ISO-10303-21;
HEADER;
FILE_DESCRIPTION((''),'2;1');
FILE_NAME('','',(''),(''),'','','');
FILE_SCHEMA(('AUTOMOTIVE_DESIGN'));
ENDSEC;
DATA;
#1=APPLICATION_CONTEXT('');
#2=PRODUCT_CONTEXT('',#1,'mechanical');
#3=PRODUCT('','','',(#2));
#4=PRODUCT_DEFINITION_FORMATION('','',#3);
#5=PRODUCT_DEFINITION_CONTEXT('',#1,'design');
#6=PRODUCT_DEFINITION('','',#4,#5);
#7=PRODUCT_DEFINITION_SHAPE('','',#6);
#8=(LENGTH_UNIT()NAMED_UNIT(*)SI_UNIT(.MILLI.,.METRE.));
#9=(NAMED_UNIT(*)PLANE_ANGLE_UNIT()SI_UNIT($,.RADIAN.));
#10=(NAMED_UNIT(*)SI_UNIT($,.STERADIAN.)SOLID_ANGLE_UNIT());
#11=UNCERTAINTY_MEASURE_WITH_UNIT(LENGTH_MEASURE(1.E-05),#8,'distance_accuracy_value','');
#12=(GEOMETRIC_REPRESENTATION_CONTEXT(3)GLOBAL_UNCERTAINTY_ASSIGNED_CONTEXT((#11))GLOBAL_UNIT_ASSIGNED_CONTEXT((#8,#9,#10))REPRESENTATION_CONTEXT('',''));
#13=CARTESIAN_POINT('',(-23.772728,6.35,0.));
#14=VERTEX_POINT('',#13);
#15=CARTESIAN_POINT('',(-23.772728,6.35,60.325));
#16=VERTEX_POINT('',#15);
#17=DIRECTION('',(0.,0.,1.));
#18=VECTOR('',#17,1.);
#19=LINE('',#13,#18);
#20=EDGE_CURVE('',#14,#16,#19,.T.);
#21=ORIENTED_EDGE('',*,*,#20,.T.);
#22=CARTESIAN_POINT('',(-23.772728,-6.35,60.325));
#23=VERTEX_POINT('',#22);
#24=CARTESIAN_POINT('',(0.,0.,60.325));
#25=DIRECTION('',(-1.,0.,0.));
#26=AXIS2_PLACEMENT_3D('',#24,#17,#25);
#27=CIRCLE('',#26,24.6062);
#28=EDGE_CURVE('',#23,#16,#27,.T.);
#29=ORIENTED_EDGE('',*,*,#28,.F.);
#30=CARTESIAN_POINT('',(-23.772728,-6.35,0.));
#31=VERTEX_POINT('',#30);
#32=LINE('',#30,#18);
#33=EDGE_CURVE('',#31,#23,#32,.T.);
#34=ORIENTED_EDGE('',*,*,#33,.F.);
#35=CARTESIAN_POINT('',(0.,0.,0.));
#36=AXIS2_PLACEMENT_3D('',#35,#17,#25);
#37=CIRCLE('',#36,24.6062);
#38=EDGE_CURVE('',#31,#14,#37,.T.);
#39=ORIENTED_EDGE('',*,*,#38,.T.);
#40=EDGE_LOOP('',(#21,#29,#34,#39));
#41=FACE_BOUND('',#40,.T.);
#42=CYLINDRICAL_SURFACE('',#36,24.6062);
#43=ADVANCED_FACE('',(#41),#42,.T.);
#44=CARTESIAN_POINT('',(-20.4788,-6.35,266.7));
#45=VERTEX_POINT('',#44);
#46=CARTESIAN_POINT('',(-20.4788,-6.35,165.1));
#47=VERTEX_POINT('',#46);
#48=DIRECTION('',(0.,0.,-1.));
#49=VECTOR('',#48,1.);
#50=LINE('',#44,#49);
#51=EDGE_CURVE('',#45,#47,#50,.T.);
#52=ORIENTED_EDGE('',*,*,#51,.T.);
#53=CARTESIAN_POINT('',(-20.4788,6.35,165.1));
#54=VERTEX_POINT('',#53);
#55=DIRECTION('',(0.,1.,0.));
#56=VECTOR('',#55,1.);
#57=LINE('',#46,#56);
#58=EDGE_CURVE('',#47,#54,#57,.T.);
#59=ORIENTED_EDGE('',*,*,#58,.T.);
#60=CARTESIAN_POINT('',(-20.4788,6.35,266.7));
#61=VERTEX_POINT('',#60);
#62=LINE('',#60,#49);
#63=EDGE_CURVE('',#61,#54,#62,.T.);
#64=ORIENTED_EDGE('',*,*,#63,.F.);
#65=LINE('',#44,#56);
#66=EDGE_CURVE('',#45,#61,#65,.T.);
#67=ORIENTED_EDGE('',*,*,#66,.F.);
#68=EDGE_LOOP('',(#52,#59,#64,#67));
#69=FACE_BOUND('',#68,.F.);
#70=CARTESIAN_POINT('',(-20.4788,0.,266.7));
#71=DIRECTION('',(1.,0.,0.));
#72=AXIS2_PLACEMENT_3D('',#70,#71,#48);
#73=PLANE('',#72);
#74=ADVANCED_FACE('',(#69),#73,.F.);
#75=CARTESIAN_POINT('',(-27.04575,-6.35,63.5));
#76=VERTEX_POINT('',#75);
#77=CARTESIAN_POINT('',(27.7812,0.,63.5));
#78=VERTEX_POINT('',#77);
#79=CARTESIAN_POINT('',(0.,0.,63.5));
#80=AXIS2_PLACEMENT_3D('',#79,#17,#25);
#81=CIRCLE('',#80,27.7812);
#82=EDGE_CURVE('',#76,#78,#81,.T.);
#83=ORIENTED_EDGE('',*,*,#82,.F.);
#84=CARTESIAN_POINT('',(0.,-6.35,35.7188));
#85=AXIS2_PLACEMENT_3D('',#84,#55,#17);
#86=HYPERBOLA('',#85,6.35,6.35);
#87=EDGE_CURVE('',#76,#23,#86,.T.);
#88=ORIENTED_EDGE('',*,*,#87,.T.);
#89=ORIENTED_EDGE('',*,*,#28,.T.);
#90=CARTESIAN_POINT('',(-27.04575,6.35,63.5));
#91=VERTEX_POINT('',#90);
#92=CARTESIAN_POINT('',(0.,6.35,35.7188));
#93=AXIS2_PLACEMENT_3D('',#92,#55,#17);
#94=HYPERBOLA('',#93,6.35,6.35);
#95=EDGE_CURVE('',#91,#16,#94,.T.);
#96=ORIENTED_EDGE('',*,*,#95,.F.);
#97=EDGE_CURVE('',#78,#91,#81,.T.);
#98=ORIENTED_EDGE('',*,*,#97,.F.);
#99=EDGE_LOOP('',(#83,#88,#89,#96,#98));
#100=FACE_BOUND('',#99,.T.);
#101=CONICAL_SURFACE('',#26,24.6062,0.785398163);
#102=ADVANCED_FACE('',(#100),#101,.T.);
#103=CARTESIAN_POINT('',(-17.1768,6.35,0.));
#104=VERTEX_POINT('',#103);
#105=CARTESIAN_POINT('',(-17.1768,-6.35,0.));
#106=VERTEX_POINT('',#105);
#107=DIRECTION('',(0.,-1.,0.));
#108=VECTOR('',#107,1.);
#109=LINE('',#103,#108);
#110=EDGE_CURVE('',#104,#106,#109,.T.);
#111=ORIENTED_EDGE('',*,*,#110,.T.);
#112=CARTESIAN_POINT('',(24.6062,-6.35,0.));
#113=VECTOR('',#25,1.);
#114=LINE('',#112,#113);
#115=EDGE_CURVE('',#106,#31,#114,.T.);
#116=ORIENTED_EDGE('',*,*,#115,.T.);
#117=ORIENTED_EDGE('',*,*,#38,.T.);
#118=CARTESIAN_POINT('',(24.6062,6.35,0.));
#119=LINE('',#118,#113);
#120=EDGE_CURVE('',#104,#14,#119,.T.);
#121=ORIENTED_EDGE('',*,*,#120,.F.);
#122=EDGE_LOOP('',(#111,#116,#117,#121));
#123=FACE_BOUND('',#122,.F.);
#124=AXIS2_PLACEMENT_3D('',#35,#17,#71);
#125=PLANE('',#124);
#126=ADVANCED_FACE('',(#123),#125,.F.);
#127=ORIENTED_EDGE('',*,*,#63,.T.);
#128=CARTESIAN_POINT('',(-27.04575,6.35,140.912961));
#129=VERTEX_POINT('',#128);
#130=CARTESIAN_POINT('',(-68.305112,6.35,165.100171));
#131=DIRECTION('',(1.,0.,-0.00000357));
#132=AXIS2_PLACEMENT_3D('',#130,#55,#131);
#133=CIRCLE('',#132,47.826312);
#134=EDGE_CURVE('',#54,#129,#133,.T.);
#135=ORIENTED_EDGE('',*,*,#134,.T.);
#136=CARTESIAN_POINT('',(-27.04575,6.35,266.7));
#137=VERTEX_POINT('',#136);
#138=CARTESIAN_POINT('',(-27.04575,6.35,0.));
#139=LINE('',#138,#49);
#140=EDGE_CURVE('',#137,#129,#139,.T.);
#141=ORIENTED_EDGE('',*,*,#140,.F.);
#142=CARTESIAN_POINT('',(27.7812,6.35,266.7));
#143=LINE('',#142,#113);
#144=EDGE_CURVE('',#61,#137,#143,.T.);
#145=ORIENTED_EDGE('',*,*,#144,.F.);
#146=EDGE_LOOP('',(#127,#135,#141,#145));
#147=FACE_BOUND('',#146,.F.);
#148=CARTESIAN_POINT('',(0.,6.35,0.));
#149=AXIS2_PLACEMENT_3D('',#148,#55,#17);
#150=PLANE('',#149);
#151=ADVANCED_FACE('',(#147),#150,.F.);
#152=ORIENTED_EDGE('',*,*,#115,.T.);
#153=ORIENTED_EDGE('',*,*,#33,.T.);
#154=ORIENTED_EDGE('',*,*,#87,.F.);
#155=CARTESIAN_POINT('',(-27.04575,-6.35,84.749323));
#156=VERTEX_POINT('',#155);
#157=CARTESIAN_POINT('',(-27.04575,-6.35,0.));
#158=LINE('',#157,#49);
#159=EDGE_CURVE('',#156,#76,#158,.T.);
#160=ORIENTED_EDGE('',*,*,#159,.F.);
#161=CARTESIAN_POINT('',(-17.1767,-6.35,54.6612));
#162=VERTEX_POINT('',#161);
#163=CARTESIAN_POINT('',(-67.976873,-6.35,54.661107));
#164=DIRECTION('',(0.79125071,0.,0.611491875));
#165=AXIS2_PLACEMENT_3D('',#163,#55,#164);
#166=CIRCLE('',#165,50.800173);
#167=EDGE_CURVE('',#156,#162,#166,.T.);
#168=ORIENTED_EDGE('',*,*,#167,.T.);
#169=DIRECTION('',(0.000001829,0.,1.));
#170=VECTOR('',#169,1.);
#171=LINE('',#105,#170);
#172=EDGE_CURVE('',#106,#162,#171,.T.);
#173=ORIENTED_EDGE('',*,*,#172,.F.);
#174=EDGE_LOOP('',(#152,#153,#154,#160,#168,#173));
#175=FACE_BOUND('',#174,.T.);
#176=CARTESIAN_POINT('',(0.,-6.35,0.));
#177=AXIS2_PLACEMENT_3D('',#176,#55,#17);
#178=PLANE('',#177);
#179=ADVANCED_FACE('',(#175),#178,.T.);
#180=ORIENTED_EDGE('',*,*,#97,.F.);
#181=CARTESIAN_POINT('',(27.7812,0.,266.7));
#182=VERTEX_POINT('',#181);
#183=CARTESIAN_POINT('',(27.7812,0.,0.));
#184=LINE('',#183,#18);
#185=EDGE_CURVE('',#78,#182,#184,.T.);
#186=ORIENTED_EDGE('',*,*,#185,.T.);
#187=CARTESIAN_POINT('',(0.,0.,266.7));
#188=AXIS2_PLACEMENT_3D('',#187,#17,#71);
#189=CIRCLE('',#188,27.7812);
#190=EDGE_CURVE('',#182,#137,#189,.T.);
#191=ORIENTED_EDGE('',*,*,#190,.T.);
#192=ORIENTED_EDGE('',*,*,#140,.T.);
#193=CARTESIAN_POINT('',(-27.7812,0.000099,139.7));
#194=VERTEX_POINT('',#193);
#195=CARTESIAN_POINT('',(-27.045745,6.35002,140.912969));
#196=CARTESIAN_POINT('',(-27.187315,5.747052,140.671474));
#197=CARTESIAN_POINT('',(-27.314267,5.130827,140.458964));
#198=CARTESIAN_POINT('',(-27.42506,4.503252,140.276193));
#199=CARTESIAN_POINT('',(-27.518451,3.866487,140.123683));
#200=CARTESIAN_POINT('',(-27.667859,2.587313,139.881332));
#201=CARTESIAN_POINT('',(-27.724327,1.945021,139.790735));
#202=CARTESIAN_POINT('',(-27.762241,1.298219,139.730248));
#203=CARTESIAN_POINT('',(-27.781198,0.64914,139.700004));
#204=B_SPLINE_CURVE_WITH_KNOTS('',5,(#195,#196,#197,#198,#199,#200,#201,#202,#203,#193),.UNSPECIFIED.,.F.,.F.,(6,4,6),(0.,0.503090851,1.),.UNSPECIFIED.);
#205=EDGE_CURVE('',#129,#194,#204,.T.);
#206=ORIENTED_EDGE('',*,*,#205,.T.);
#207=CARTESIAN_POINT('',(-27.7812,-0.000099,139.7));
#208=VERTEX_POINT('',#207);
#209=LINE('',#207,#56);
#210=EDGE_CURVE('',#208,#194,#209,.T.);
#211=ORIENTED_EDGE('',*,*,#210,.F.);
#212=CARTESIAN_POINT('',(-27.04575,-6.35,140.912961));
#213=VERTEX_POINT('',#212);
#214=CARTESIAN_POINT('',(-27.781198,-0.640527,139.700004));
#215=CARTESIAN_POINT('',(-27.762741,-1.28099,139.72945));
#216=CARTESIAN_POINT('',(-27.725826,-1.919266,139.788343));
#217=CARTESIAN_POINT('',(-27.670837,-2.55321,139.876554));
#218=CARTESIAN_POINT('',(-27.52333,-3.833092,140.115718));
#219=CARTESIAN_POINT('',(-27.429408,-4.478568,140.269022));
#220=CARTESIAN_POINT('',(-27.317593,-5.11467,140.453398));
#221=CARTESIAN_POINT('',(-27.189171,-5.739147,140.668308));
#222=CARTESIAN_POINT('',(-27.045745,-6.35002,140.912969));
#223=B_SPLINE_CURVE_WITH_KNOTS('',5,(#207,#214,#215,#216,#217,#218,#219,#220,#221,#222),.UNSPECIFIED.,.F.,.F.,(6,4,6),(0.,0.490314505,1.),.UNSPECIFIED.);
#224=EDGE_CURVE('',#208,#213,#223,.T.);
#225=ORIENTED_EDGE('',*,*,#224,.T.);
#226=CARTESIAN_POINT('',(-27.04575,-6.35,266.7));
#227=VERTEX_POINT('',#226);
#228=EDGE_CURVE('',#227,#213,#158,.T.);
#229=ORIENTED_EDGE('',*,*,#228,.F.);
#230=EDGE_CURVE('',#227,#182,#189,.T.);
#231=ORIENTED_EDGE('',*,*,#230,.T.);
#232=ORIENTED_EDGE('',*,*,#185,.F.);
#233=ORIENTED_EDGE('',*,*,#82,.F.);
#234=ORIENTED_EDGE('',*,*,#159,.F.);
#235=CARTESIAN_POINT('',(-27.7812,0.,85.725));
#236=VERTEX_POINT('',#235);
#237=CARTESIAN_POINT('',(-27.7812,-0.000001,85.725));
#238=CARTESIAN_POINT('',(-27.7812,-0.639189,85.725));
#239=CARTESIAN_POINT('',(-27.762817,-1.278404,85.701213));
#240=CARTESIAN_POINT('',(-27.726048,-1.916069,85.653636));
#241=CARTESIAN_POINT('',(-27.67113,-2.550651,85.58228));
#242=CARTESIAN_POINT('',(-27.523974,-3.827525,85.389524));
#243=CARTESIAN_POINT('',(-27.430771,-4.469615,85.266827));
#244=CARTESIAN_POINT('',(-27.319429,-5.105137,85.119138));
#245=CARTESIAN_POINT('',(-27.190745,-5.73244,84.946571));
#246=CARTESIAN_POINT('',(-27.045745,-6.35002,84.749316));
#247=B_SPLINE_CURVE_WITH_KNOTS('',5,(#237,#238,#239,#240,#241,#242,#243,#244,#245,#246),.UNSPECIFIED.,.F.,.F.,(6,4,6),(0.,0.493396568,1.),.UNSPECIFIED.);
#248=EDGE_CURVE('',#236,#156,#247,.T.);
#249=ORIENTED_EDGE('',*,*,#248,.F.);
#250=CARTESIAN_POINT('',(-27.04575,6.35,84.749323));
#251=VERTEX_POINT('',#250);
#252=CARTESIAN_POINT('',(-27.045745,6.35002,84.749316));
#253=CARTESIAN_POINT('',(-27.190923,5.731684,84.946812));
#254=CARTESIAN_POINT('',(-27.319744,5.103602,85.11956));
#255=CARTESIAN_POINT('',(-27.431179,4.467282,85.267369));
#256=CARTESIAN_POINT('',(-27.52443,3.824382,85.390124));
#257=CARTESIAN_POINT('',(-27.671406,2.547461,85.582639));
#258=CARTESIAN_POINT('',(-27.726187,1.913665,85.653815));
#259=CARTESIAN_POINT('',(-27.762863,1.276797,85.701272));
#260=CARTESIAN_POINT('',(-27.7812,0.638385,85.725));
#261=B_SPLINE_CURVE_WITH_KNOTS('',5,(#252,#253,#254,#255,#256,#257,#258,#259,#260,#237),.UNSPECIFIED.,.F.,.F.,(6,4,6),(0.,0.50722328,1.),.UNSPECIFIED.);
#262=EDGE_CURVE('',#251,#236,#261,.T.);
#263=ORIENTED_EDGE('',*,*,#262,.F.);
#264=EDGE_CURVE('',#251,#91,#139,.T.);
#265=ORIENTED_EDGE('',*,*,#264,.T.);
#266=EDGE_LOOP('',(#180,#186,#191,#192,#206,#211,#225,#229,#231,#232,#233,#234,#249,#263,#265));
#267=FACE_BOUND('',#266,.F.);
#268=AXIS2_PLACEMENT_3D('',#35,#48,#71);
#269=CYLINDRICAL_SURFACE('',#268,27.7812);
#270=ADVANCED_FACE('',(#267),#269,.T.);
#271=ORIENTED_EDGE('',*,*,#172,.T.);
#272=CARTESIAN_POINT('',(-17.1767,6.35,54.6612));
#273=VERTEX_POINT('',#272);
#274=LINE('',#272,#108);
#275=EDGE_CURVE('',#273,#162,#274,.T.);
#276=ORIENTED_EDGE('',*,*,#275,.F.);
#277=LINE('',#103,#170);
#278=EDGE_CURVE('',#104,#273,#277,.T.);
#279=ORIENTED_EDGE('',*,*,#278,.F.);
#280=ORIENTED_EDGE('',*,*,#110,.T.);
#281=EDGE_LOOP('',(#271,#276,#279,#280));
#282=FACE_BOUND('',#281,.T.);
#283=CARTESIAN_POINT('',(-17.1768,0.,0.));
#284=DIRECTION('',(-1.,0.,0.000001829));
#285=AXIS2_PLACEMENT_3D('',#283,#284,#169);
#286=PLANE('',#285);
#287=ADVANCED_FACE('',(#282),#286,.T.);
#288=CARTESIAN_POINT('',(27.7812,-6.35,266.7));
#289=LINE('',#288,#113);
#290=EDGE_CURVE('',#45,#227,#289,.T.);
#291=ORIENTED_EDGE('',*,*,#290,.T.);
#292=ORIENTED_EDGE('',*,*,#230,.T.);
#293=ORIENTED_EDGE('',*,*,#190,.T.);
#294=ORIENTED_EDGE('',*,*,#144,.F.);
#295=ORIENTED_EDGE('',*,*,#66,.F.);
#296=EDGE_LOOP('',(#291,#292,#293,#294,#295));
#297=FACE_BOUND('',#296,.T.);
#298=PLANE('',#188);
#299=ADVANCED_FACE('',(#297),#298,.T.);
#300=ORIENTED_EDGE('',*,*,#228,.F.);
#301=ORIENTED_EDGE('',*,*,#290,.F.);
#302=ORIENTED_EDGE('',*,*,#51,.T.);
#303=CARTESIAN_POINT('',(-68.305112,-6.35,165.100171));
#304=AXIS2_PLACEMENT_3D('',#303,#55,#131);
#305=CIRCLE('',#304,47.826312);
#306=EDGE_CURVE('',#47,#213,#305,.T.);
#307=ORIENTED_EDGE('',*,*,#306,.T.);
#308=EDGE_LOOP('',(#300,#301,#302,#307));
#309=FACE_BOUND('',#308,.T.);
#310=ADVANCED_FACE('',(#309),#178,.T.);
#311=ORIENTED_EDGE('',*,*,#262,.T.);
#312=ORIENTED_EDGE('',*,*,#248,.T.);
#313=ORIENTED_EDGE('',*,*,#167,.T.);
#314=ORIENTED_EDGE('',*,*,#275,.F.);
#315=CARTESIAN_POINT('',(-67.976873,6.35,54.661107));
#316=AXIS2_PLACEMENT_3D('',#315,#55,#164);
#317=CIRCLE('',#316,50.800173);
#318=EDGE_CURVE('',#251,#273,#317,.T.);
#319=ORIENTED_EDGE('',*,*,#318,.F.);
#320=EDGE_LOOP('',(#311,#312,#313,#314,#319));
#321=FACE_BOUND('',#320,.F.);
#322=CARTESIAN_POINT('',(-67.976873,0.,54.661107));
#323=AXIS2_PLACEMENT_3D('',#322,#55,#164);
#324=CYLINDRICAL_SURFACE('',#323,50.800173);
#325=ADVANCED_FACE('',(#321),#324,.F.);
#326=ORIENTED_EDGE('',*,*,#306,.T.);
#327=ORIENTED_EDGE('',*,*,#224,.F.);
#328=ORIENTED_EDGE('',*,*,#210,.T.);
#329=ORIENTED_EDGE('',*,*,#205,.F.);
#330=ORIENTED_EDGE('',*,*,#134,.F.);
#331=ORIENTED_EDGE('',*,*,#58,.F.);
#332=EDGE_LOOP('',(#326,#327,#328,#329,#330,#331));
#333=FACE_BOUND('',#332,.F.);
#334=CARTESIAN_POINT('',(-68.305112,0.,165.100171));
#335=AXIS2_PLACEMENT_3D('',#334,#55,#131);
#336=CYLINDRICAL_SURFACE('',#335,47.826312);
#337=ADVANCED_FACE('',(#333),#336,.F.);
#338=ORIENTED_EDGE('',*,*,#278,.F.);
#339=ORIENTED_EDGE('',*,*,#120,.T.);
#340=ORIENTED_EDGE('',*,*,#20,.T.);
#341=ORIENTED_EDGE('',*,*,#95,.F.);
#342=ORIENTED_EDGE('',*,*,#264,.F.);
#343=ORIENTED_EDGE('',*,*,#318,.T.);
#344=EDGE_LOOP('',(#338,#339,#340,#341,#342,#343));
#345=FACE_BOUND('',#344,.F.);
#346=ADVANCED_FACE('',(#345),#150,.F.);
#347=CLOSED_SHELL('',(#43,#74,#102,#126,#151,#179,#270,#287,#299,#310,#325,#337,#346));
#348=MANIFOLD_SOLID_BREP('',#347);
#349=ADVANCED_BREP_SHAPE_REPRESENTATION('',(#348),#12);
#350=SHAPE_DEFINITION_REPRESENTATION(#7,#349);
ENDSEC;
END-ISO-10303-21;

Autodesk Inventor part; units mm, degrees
ref_plane "YZ Plane" through (0, 0, 0) normal (1, 0, 0) x (0, 1, 0)
ref_plane "XZ Plane" through (0, 0, 0) normal (0, 1, 0) x (-1, 0, 0)
sketch "Sketch1" plane through (0, 0, 0) normal (0, 0, 1) x (1, 0, 0)
  circle A0 centre (0, 0) radius 27.7812
  dimension "d0" = 55.5625
extrude "Extrusion1" add sketch "Sketch1" along normal blind 266.7
ref_plane "Work Plane1" through (0, 0, 0) normal (0, 1, 0) x (0, 0, 1)
sketch "Sketch2" plane through (0, 0, 0) normal (0, 1, 0) x (0, 0, 1)
  line L0 (-53.34, 0) -> (320.04, 0) projected
  line L1 (0, -24.6062) -> (60.325, -24.6062)
  line L2 (60.325, -24.6062) -> (63.5, -27.7812)
  line L3 (0, -27.7812) -> (266.7, -27.7812) projected
  line L4 (0, -24.6062) -> (0, -27.7812)
  line L5 (0, 27.7812) -> (0, -27.7812) projected
  dimension "d4" = 24.6062
  dimension "d5" = 135
  dimension "d6" = 60.325
revolve "Revolution1" cut sketch "Sketch2" angle 360 about axis through (0, 0, 0) along (0, 0, 1)
sketch "Sketch3" plane through (0, 0, 0) normal (0, 1, 0) x (0, 0, 1)
  line L0 (60.325, -24.6062) -> (0, -24.6062) projected
  line L1 (0, 24.6062) -> (0, -24.6062) projected
  line L2 (-127.1587, 0) -> (762.9525, 0) projected
  line L3 (0, -17.1768) -> (54.6612, -17.1767)
  arc A0 (85.725, -27.7812) -> (54.6612, -17.1767) centre (54.6612, -67.9767) ccw
  line L4 (60.325, 24.6062) -> (0, 24.6062) projected
  line L5 (63.5, -27.7812) -> (266.7, -27.7812) projected
  line L6 (63.5, -27.7812) -> (60.325, -24.6062)
  dimension "d8" = 50.8
  dimension "d9" = 41.783
  dimension "d10" = 85.725
extrude "Extrusion2" cut sketch "Sketch3" against normal mid plane 12.7
sketch "Sketch4" plane through (0, 0, 0) normal (0, 1, 0) x (0, 0, 1)
  line L0 (266.7, 27.7812) -> (266.7, -27.7812) projected
  line L1 (85.725, -27.7812) -> (266.7, -27.7812) projected
  line L2 (63.5, 27.7812) -> (266.7, 27.7812) projected
  line L3 (266.7, -20.4788) -> (165.1, -20.4788)
  arc A0 (165.1, -20.4788) -> (139.7, -27.7812) centre (165.1, -68.3039) ccw
  dimension "d13" = 101.6
  dimension "d14" = 127
  dimension "d15" = 48.26
extrude "Extrusion3" cut sketch "Sketch4" against normal mid plane 12.7
properties part number "shaft" material "Steel, Mild"
